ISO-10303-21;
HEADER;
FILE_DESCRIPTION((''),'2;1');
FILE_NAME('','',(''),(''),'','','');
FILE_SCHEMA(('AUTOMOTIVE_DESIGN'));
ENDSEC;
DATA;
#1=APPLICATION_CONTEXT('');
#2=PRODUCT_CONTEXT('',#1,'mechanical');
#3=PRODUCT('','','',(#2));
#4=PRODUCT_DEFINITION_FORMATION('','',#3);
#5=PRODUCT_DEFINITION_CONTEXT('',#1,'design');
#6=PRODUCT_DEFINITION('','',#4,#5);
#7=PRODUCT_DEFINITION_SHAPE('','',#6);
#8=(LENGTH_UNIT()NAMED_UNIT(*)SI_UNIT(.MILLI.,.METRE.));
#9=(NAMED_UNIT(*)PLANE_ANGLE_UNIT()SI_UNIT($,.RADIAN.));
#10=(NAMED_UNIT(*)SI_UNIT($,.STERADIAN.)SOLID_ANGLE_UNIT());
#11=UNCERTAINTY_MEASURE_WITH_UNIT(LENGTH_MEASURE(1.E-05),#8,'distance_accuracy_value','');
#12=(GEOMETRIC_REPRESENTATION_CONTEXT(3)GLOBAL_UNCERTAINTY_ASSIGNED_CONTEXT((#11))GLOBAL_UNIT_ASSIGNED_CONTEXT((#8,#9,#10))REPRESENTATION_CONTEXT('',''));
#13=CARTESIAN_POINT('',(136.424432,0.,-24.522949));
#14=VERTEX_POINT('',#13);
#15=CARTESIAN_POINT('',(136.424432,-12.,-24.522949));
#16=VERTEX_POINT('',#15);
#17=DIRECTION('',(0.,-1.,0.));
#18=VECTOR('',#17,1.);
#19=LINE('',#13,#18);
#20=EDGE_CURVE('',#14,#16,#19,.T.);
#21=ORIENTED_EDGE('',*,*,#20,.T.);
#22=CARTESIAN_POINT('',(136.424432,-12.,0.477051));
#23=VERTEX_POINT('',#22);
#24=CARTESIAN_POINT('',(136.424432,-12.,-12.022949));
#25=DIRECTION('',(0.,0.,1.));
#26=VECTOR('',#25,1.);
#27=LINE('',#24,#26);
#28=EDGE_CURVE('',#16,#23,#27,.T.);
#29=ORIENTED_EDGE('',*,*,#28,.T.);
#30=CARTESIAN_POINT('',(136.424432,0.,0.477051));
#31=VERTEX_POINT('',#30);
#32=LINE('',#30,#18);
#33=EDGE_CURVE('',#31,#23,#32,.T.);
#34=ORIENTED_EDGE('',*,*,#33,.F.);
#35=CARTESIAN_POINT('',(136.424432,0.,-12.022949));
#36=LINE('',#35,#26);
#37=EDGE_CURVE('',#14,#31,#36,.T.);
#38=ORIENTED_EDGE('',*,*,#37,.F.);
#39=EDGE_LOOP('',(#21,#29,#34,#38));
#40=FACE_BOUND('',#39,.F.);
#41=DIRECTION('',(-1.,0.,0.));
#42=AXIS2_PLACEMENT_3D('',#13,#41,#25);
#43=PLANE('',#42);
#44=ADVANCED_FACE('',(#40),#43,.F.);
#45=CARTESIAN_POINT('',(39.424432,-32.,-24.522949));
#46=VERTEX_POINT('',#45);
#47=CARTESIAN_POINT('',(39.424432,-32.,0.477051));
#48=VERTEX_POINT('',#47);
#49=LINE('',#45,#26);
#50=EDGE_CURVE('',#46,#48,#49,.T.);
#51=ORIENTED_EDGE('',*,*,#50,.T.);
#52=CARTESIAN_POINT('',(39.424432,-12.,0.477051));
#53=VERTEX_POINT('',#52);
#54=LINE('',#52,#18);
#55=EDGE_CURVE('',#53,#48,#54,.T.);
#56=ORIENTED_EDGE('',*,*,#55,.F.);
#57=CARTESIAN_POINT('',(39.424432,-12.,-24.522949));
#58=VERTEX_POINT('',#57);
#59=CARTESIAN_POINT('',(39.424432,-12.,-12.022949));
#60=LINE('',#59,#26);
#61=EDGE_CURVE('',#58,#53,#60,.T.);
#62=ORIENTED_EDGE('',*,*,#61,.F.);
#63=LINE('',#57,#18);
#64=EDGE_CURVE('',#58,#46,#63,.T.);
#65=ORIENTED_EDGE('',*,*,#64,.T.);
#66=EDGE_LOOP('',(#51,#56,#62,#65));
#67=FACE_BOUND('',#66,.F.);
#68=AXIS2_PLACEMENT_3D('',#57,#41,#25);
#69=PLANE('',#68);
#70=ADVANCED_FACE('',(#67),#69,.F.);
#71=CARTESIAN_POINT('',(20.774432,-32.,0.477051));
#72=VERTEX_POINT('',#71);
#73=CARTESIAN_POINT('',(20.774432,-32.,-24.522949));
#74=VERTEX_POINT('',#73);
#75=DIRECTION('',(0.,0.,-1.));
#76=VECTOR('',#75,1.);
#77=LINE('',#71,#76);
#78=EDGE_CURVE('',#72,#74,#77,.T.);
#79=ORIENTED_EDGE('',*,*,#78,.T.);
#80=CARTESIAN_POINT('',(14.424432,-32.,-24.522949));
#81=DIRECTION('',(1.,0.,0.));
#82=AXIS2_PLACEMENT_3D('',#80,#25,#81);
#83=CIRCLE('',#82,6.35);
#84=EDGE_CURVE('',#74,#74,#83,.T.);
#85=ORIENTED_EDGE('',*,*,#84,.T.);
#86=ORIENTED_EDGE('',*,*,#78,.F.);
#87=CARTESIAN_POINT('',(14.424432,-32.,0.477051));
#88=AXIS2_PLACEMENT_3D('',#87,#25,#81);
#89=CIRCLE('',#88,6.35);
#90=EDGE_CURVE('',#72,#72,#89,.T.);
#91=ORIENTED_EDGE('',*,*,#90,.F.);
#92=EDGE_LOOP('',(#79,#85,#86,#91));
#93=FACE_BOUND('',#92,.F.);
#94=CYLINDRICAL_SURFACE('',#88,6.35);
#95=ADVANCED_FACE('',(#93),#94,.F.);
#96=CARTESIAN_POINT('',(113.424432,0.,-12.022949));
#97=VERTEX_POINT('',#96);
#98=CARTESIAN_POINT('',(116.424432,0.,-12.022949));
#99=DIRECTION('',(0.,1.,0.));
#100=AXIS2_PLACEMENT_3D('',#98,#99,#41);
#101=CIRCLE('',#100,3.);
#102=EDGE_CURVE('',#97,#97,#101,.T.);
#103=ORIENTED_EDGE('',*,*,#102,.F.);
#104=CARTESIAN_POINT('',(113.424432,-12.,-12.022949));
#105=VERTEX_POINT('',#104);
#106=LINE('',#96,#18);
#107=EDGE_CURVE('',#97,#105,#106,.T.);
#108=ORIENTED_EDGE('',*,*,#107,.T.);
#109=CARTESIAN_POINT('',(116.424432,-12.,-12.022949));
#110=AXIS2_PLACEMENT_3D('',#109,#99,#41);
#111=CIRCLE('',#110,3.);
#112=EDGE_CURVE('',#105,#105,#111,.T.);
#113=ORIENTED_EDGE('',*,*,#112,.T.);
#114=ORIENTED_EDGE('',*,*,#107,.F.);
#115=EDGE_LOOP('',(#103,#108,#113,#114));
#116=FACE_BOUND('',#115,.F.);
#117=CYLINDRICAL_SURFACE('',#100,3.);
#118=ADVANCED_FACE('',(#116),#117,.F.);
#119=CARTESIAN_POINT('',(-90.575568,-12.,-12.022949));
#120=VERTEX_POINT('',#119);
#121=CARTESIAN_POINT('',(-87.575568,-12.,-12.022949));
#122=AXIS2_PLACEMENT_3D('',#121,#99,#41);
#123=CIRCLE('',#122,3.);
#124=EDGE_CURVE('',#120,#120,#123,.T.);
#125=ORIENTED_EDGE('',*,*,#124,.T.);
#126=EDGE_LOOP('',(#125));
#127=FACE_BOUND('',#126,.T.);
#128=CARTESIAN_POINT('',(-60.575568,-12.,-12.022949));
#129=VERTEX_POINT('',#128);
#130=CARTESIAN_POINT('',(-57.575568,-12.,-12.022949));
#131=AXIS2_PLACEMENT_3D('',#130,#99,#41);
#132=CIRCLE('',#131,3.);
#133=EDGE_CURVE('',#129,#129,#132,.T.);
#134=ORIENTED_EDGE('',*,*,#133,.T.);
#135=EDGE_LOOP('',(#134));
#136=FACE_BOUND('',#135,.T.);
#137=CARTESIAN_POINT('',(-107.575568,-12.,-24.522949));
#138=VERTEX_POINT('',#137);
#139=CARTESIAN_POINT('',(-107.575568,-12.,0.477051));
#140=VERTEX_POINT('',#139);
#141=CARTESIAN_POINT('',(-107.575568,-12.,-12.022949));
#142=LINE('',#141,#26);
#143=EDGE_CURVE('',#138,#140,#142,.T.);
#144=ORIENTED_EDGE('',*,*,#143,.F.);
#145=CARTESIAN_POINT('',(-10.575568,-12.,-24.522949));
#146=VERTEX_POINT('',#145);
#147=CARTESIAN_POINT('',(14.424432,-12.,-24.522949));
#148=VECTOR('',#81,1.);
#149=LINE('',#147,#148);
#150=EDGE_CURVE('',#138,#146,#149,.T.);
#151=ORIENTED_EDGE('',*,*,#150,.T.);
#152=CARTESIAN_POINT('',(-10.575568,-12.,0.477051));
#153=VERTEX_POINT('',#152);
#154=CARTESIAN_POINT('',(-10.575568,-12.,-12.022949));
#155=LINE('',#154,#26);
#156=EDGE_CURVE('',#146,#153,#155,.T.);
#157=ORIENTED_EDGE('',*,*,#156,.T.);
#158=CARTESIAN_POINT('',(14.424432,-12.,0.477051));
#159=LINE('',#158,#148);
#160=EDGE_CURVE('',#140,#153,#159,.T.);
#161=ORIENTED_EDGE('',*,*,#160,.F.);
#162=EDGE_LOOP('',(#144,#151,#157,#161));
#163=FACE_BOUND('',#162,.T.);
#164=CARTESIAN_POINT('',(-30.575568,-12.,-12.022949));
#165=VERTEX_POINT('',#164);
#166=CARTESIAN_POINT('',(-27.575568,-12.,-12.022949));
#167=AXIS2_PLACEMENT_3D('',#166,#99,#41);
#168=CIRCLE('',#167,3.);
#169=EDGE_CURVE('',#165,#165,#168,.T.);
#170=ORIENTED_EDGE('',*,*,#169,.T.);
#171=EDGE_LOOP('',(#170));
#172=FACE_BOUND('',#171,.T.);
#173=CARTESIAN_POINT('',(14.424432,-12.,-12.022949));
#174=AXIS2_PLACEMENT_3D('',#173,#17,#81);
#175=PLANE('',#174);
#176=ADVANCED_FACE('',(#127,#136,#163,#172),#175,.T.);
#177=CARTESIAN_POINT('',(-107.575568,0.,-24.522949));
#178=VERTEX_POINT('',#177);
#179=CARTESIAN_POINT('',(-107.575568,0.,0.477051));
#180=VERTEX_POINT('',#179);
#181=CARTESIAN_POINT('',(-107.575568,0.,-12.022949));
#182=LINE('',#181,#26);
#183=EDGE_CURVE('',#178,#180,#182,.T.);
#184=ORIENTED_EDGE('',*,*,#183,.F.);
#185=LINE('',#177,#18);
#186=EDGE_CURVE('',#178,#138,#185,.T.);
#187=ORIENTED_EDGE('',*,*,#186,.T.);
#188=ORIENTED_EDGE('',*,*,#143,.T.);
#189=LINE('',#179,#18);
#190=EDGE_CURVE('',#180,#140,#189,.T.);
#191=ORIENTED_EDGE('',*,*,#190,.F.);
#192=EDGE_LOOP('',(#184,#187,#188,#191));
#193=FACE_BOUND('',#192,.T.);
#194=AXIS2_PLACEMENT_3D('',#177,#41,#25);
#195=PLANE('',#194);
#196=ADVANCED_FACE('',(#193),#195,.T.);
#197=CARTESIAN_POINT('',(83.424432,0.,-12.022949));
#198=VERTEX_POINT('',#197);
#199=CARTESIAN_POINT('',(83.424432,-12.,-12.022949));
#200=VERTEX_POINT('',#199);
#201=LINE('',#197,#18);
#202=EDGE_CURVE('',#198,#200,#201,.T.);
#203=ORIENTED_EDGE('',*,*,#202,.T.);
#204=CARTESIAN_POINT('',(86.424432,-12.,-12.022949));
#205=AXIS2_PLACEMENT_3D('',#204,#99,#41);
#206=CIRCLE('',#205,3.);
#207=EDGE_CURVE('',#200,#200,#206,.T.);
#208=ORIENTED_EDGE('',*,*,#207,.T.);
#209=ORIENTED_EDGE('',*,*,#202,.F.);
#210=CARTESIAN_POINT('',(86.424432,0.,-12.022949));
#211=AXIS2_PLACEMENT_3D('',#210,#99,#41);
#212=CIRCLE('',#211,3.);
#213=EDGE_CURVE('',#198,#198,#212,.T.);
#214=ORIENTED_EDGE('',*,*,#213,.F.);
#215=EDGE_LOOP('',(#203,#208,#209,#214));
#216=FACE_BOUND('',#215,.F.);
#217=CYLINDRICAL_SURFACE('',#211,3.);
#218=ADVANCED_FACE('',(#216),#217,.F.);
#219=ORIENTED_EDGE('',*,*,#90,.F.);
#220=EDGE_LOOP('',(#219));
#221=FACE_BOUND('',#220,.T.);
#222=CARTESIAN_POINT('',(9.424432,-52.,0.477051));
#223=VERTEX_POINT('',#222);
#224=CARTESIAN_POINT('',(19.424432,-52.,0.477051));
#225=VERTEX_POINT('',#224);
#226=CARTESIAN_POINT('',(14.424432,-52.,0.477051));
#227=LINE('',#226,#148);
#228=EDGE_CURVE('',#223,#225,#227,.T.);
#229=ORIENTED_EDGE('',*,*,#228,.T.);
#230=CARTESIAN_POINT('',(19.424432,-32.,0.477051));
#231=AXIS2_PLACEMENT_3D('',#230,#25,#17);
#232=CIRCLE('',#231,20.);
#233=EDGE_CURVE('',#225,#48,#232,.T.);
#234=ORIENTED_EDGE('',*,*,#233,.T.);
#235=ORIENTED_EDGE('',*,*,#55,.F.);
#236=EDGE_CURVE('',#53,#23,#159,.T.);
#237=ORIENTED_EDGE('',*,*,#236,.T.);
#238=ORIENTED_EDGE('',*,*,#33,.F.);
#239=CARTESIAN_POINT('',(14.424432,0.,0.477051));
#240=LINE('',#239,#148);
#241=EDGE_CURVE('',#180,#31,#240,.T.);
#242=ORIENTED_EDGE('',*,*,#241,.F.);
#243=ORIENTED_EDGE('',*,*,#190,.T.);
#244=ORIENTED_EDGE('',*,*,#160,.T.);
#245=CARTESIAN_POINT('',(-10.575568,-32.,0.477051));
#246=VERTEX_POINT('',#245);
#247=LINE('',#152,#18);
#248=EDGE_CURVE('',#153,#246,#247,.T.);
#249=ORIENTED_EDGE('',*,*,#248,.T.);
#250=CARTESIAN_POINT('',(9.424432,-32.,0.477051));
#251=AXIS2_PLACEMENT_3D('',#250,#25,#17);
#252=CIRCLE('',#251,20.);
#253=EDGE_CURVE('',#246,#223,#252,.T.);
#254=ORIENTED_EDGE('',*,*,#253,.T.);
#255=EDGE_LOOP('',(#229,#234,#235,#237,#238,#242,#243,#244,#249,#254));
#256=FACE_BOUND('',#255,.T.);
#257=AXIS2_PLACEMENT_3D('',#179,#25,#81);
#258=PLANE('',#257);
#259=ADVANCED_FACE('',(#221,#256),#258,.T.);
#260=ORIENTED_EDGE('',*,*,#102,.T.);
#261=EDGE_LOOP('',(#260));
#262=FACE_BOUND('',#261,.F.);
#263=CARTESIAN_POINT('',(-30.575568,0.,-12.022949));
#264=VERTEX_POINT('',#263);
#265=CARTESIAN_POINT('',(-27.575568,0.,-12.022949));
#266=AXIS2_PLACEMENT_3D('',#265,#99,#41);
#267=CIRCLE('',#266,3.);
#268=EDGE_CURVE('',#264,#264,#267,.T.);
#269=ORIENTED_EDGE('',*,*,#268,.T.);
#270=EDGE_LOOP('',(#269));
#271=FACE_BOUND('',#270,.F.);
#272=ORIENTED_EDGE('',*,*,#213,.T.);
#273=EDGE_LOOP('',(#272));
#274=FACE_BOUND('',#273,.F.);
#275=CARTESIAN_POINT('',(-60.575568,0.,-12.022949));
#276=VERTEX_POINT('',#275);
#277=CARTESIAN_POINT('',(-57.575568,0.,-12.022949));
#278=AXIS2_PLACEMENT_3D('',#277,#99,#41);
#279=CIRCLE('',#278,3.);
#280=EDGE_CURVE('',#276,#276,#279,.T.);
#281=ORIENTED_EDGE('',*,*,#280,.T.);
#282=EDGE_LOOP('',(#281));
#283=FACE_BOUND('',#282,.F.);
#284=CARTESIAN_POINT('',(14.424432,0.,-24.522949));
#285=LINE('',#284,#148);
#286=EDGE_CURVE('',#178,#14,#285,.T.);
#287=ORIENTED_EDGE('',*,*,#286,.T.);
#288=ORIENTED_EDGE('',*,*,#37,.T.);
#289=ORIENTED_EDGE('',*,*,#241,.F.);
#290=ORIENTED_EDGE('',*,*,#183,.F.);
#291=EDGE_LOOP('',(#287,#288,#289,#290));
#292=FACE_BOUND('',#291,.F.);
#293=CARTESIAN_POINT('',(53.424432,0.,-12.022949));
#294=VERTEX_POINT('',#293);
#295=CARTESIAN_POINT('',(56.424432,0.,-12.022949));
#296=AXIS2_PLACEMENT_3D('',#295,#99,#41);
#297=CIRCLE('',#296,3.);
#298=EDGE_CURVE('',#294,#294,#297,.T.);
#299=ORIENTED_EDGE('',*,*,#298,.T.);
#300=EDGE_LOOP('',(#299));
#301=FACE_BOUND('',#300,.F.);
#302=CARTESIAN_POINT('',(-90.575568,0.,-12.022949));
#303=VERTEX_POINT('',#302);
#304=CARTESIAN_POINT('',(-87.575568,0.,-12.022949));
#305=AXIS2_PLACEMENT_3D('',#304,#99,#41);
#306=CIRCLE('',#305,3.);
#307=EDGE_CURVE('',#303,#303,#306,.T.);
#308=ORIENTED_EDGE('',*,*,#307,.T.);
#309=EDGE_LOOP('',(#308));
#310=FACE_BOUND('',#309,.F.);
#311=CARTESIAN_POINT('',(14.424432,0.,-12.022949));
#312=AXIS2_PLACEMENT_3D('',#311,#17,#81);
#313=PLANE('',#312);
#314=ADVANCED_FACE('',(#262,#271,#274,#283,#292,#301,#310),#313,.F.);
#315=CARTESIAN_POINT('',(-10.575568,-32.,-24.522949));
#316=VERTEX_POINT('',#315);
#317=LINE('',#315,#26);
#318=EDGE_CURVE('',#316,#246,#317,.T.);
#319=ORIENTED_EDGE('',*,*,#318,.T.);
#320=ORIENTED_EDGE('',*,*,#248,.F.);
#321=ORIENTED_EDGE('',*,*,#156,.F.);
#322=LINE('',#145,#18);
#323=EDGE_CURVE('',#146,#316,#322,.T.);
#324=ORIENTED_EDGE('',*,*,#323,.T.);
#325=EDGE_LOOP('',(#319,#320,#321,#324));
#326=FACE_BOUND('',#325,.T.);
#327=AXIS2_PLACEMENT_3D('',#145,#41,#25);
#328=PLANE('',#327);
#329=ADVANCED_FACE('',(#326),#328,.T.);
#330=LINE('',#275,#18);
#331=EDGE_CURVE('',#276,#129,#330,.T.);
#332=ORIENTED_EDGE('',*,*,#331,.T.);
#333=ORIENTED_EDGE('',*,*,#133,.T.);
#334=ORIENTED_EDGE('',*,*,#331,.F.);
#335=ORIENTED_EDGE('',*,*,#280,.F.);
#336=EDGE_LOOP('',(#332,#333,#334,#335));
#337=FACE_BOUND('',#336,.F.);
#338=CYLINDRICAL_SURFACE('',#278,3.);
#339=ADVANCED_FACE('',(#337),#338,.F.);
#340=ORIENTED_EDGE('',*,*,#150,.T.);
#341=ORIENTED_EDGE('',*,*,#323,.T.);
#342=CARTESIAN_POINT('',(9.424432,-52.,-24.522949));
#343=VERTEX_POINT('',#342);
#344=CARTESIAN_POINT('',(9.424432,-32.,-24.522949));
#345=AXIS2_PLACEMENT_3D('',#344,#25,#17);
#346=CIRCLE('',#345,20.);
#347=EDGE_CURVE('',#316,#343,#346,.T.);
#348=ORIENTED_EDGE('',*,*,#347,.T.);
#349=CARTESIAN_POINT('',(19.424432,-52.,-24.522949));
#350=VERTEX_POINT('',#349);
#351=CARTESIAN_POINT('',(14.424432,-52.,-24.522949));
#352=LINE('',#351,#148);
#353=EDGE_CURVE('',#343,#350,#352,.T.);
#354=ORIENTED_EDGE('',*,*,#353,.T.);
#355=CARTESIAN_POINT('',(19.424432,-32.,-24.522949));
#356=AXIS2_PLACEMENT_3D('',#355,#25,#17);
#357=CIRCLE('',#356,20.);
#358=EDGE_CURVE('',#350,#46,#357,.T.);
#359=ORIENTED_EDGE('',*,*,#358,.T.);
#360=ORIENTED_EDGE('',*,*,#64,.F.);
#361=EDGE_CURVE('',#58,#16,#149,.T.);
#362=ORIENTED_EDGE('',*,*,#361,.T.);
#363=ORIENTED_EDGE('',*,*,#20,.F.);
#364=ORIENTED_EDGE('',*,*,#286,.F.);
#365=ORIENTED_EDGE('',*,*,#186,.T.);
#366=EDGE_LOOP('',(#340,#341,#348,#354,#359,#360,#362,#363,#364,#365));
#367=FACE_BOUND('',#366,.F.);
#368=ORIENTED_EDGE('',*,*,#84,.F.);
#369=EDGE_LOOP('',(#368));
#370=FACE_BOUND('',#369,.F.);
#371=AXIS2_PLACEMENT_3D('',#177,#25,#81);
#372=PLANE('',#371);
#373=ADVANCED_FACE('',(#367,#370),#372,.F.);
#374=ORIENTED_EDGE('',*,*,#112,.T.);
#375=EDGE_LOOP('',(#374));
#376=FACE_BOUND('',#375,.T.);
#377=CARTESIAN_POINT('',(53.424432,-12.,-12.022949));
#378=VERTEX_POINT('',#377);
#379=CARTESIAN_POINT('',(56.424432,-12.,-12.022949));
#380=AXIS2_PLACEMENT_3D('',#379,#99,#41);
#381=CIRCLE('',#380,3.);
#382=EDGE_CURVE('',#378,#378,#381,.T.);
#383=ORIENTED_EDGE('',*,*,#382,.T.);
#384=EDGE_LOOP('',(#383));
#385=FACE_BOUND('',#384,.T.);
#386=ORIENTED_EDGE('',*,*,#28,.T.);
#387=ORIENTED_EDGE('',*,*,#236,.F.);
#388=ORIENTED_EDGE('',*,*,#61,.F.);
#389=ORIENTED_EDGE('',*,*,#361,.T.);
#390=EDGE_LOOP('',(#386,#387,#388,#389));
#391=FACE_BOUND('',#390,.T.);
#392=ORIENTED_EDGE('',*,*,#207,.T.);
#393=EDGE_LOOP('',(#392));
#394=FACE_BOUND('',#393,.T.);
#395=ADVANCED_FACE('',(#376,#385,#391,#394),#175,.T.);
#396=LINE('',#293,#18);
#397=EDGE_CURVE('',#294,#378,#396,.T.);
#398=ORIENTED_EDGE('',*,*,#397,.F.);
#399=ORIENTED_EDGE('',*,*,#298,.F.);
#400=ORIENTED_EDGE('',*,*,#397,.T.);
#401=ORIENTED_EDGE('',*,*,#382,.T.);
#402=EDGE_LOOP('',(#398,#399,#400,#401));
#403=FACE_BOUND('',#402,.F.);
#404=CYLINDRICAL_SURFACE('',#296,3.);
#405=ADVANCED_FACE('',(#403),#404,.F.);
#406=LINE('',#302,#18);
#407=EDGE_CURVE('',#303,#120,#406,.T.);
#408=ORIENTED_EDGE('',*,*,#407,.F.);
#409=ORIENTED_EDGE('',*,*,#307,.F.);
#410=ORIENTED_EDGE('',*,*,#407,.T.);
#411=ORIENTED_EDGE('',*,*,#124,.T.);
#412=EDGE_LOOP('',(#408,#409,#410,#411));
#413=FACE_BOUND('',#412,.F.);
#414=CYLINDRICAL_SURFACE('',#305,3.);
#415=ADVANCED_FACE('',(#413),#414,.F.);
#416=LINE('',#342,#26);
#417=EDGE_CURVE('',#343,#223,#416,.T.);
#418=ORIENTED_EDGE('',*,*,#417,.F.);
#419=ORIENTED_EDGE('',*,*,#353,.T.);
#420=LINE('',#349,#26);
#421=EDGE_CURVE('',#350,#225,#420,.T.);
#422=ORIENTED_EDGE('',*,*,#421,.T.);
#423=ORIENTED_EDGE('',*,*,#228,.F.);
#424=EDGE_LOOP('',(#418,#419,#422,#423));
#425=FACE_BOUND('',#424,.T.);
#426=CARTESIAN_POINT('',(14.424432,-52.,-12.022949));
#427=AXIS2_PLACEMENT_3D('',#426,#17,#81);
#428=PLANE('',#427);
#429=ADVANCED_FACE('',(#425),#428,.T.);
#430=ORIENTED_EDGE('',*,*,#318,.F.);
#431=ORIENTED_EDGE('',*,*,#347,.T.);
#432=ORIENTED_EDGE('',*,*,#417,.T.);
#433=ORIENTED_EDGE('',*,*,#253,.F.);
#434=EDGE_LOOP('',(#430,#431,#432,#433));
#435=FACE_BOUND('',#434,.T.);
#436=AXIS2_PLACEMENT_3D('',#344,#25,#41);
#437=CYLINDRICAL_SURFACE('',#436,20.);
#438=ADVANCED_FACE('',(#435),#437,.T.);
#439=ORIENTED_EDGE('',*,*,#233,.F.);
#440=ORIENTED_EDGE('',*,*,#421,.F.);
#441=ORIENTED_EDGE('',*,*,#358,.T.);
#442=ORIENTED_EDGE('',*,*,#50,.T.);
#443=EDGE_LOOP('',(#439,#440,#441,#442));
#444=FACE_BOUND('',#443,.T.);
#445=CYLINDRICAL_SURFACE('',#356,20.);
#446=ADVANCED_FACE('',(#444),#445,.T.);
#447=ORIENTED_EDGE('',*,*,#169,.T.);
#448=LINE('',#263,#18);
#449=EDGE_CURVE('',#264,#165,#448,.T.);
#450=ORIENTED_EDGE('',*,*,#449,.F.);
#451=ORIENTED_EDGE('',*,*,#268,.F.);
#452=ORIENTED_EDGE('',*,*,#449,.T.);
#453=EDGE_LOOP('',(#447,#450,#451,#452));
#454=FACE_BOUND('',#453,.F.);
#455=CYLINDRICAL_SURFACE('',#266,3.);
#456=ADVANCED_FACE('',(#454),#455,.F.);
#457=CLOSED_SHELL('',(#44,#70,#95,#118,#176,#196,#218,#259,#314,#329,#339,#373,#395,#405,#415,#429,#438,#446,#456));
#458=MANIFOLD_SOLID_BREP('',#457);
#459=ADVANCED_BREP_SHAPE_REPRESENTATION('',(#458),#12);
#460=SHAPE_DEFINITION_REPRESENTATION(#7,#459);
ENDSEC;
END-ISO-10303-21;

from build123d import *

# Parameters (mm, degrees)
F0_W     = 244
F0_H     = 25
F1_DEPTH = 12
F2_W     = 50
F2_H     = 25
F3_DEPTH = 40
F4_R     = 6.35
F5_DEPTH = 25.001
F6_R     = 20
F7_R     = 20
F8_R     = 3
F9_DEPTH = 52.001


with BuildPart() as f1:
    # F0 (on Front) → F1 (new body)
    with BuildSketch(Plane.XZ):
        with Locations((14.424432, -12.022949)):
            Rectangle(F0_W, F0_H)
    extrude(amount=F1_DEPTH)

    # F2 (on face) → F3 (join)
    with BuildSketch(Plane.XZ.offset(12)):
        with Locations((14.424432, -12.022949)):
            Rectangle(F2_W, F2_H)
    extrude(amount=F3_DEPTH)

    # F4 (on face) → F5 (cut, through all)
    with BuildSketch(Plane.XY.offset(0.477051)):
        with Locations((14.424432, -32)):
            Circle(F4_R)
    extrude(amount=-F5_DEPTH, mode=Mode.SUBTRACT)

    # F6
    f6_edges = [f1.edges().sort_by_distance(p)[0] for p in [
        (-10.575568, -52, -12.022949),
    ]]
    fillet(f6_edges, radius=F6_R)

    # F7
    f7_edges = [f1.edges().sort_by_distance(p)[0] for p in [
        (39.424432, -52, -12.022949),
    ]]
    fillet(f7_edges, radius=F7_R)

    # F8 (on face) → F9 (cut, through all)
    with BuildSketch(Plane(origin=(0, 0, 0), x_dir=(-1, 0, 0), z_dir=(0, 1, 0))):
        with Locations((87.575568, -12.022949)):
            Circle(F8_R)
        with Locations((57.575568, -12.022949)):
            Circle(F8_R)
        with Locations((-86.424432, -12.022949)):
            Circle(F8_R)
        with Locations((-116.424432, -12.022949)):
            Circle(F8_R)
        with Locations((-56.424432, -12.022949)):
            Circle(F8_R)
        with Locations((27.575568, -12.022949)):
            Circle(F8_R)
    extrude(amount=-F9_DEPTH, mode=Mode.SUBTRACT)


solid = f1.part
